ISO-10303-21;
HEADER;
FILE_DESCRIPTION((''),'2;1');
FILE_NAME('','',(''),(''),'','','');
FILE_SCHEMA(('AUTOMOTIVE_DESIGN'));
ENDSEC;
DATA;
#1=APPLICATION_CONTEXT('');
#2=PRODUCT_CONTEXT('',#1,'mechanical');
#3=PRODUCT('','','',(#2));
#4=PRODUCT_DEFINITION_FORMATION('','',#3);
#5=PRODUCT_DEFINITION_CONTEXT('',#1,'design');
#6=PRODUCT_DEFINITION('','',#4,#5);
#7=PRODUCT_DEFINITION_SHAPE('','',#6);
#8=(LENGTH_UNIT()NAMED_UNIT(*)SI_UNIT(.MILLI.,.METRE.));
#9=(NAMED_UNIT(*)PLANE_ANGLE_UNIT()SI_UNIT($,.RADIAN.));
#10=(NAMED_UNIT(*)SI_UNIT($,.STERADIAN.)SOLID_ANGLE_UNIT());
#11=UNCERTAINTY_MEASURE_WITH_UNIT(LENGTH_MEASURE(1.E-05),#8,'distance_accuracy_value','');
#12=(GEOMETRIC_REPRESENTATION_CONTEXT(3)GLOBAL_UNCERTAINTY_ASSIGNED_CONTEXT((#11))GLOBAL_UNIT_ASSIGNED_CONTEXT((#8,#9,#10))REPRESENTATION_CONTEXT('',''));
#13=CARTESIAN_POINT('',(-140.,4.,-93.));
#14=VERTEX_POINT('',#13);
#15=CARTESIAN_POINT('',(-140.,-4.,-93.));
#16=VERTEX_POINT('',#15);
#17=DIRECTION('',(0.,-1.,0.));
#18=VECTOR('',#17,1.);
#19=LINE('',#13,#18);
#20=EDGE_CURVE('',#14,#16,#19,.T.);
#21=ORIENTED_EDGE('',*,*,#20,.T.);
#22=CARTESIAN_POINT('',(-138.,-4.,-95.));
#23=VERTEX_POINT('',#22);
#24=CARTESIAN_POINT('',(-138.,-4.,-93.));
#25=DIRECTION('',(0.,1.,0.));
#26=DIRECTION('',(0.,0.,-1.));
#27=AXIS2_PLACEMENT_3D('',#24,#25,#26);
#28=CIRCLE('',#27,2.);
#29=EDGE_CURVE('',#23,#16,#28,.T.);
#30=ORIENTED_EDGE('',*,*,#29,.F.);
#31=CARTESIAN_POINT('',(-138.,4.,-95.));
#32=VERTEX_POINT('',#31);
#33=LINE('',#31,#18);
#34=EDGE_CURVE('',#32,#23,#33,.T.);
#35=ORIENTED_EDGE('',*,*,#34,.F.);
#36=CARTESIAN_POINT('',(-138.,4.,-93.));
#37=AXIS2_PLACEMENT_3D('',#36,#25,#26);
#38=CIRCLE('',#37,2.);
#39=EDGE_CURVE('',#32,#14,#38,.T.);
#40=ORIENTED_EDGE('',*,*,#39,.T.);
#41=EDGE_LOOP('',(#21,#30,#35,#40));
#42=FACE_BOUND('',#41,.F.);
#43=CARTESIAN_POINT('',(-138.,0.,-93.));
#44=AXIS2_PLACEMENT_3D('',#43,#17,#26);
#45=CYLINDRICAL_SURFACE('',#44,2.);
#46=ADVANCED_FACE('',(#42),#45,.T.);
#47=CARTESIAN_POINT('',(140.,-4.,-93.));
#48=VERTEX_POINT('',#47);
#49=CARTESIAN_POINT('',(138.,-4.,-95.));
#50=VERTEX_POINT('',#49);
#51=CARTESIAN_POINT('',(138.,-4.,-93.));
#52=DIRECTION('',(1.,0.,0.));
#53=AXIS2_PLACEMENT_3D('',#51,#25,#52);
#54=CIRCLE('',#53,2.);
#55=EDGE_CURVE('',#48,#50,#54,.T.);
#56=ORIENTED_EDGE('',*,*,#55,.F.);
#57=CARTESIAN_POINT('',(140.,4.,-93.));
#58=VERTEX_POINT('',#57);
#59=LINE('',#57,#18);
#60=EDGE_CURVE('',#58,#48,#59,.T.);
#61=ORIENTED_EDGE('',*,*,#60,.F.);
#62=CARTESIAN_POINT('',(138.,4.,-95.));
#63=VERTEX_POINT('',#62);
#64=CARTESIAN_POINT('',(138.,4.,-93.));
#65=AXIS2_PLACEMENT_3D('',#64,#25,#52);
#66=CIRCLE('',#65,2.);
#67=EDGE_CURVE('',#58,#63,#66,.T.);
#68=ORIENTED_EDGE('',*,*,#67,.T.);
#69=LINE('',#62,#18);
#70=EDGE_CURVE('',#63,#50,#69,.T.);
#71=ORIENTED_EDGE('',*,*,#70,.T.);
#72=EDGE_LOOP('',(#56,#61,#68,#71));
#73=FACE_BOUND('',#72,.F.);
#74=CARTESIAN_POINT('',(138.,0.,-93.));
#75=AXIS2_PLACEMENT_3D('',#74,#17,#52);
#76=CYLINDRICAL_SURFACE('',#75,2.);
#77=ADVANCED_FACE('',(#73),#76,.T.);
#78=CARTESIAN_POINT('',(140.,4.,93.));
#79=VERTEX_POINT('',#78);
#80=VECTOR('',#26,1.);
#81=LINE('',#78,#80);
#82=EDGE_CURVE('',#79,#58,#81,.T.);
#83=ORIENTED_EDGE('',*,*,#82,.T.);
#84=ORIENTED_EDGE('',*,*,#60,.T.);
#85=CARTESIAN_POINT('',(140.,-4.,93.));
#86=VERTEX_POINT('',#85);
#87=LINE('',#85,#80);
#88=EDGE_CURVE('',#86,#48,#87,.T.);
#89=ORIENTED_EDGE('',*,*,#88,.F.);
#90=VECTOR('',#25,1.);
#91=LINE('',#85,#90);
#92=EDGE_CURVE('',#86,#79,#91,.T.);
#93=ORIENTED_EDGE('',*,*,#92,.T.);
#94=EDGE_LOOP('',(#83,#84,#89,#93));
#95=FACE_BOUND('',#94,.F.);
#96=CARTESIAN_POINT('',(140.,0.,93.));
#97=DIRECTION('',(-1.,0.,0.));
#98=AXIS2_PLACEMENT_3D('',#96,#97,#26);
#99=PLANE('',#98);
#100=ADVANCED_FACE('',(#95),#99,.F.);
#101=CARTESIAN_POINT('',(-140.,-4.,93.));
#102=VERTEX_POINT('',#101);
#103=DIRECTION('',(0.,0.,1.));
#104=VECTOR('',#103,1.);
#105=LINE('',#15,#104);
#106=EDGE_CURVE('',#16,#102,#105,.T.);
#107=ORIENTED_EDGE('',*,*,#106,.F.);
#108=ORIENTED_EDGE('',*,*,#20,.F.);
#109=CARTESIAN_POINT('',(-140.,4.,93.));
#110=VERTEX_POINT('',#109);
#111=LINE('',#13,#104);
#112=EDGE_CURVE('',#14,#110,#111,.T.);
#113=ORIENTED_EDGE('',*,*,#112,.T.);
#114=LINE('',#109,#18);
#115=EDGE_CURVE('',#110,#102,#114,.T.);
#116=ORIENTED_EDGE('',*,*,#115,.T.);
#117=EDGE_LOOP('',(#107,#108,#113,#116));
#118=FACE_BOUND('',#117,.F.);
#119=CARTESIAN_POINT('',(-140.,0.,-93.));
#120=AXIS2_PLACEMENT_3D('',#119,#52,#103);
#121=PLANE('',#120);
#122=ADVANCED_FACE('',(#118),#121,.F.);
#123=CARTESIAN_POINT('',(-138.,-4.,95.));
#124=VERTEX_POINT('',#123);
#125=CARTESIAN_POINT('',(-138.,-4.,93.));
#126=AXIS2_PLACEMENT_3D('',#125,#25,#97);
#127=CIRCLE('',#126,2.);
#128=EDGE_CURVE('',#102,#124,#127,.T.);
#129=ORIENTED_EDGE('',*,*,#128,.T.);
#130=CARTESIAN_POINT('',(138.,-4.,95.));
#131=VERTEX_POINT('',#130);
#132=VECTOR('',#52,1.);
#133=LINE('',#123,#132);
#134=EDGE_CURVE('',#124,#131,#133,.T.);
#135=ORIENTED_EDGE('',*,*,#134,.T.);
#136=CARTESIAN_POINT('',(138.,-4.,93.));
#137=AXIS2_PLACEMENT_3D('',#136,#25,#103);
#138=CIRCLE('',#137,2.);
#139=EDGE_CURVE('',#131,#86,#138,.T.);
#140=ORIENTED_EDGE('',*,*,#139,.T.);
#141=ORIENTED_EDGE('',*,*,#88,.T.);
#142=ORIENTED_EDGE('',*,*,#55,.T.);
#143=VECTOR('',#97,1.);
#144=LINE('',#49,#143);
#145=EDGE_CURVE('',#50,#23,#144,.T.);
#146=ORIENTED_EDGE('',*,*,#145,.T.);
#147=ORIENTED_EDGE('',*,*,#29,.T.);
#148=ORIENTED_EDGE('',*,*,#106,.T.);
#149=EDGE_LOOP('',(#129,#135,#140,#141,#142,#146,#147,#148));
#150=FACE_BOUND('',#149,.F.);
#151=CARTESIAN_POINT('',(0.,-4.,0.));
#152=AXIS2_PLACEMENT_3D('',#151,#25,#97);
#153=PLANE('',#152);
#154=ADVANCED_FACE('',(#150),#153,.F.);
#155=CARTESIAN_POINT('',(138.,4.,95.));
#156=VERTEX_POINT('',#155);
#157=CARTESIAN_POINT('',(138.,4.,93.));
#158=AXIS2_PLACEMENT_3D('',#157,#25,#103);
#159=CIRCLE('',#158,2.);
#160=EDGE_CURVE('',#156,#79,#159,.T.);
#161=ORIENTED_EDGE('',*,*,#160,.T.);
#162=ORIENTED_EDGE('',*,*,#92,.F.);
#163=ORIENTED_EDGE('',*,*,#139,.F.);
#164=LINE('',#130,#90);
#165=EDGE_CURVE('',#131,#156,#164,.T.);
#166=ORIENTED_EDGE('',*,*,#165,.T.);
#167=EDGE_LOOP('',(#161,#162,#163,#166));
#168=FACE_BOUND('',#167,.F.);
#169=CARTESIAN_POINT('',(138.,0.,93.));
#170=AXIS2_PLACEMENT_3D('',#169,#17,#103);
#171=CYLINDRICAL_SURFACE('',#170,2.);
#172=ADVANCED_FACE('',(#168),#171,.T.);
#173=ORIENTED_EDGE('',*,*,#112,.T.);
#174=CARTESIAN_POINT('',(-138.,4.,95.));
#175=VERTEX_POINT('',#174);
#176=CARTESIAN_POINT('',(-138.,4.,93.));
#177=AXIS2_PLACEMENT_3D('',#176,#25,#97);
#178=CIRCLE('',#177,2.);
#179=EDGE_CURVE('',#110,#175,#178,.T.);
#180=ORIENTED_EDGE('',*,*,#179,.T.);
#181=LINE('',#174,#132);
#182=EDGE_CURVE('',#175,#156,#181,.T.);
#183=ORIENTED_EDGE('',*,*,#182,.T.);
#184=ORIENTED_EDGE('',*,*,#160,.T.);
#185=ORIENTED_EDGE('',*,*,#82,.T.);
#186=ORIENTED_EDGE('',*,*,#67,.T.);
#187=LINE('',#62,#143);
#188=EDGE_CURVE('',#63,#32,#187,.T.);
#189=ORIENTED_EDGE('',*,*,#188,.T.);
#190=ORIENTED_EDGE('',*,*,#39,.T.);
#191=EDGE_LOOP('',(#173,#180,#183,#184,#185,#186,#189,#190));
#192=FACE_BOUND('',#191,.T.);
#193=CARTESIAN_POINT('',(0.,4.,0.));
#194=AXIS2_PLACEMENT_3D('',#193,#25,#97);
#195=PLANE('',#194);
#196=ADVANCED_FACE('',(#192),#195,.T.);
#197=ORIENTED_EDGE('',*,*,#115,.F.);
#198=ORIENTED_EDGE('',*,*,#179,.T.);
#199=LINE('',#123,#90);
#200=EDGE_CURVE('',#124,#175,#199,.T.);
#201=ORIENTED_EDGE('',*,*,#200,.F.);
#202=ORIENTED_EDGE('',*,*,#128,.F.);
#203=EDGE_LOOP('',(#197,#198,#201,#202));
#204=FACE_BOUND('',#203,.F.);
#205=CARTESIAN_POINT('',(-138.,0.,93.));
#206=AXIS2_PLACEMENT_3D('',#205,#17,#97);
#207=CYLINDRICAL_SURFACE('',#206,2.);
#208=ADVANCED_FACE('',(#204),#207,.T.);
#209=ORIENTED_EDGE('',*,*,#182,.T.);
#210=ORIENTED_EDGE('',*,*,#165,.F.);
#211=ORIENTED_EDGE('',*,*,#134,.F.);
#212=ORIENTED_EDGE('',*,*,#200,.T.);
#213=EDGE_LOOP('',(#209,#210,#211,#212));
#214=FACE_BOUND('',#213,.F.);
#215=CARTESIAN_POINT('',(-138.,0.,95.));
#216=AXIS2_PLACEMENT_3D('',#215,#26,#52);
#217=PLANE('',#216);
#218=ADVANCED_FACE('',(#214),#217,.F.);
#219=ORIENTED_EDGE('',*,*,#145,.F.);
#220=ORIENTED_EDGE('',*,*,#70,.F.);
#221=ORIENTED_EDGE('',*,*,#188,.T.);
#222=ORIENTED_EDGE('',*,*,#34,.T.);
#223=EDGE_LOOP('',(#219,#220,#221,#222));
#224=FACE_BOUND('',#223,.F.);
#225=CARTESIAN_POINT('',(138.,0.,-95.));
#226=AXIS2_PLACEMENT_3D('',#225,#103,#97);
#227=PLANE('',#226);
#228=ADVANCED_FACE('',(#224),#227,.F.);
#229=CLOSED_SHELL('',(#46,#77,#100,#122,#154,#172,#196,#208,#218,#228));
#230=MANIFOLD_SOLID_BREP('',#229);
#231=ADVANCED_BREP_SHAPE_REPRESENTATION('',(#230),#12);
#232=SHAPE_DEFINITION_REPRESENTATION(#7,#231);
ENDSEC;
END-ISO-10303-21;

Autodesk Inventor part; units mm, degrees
ref_plane "YZ Plane" through (0, 0, 0) normal (1, 0, 0) x (0, 1, 0)
ref_plane "XZ Plane" through (0, 0, 0) normal (0, 1, 0) x (-1, 0, 0)
ref_plane "XY Plane" through (0, 0, 0) normal (0, 0, 1) x (1, 0, 0)
sketch "Sketch1" plane through (0, 0, 0) normal (0, 1, 0) x (-1, 0, 0)
  line L0 (138, 95) -> (-138, 95)
  line L1 (-140, 93) -> (-140, -93)
  line L2 (-138, -95) -> (138, -95)
  line L3 (140, -93) -> (140, 93)
  line L4 (140, 95) -> (-140, -95) construction
  line L5 (-140, 95) -> (140, -95) construction
  arc A0 (138, -95) -> (140, -93) centre (138, -93) ccw
  arc A1 (140, 93) -> (138, 95) centre (138, 93) ccw
  arc A2 (-138, 95) -> (-140, 93) centre (-138, 93) ccw
  arc A3 (-140, -93) -> (-138, -95) centre (-138, -93) ccw
  point P0 (0, 0)
  dimension "d0" = 280
  dimension "d1" = 190
  dimension "d2" = 2
extrude "Extrusion1" add sketch "Sketch1" along normal mid plane 8
properties part number "FactionMats_All" material "Paper"
